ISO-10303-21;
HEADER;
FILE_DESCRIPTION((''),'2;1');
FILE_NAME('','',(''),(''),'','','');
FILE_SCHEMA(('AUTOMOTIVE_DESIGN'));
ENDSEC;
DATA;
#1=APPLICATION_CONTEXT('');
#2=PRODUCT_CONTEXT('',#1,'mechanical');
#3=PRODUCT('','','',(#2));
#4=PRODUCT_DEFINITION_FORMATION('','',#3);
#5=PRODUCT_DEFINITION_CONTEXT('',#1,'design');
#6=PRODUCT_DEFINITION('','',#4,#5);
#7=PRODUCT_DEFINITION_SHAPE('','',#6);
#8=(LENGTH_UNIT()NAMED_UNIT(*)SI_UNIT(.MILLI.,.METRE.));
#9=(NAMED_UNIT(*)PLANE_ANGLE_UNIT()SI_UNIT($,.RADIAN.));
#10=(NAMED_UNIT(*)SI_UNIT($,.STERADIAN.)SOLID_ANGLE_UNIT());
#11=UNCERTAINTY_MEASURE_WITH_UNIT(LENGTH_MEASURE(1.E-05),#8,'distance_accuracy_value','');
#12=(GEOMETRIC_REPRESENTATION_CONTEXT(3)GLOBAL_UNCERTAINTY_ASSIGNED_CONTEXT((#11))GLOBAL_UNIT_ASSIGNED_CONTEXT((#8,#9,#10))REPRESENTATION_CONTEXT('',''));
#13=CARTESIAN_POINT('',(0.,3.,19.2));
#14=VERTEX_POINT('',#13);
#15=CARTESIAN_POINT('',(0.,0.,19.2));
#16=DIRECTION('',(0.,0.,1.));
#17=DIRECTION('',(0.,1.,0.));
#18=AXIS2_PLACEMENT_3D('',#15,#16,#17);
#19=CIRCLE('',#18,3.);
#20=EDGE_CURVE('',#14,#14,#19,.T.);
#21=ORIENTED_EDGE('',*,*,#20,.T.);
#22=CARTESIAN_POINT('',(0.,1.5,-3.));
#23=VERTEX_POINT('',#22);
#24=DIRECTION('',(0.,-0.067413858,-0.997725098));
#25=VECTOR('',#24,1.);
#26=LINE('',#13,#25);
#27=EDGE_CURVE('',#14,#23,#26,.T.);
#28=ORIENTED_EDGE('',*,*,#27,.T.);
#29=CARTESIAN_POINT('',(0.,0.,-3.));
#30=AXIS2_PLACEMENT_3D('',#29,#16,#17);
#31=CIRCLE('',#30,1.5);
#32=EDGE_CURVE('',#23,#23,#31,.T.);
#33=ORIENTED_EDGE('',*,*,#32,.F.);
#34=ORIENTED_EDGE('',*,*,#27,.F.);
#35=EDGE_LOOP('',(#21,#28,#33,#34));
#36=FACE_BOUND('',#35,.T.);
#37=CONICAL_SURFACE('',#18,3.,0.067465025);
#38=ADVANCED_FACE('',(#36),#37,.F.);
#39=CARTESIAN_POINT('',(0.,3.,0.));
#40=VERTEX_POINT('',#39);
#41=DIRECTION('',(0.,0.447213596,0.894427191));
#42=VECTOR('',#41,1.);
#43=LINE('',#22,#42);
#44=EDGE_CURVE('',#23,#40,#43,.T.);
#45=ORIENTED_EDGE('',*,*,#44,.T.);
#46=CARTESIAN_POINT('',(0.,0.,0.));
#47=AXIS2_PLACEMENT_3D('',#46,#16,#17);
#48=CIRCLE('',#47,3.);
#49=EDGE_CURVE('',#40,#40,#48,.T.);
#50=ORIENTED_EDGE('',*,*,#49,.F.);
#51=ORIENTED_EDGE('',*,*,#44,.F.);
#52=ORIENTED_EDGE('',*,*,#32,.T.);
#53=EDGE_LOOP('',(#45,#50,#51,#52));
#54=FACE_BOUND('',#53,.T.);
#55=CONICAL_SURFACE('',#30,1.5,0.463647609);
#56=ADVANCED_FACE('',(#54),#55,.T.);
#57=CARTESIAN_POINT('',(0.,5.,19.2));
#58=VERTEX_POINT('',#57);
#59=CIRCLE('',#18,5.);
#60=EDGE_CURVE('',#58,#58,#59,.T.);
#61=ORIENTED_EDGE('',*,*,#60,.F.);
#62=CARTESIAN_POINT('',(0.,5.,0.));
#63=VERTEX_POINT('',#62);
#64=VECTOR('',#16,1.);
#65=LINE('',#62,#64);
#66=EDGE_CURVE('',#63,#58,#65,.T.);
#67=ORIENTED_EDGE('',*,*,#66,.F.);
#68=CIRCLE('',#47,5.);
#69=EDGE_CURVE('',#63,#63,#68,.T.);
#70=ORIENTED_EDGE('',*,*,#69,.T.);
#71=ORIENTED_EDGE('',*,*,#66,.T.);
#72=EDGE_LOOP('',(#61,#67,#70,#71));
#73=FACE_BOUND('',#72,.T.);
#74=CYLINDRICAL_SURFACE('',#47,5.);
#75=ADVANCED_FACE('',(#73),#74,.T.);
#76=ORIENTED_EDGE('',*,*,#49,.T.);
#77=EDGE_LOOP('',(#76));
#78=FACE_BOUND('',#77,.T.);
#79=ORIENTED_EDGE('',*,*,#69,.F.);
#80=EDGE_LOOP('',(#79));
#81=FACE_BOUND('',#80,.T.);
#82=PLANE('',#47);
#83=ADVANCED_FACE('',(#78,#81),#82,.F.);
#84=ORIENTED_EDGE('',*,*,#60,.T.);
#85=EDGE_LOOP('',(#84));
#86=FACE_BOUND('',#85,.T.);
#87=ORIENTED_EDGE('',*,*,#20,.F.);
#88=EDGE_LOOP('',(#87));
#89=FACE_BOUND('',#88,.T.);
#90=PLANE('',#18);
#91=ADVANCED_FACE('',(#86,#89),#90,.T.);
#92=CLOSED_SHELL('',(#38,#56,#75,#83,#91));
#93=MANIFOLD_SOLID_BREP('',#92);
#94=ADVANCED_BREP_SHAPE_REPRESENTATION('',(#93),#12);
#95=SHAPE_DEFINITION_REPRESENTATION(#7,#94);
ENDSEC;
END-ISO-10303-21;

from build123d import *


with BuildPart() as f2:
    # F0 (on Right) → F2 (revolve)
    with BuildSketch(Plane.YZ):
        Polygon((5, 19.2), (3, 19.2), (1.5, -3), (3, 0), (5, 0), align=None)
    revolve(axis=Axis((0, 0, 22.745814), (0, 0, 1)))


solid = f2.part
